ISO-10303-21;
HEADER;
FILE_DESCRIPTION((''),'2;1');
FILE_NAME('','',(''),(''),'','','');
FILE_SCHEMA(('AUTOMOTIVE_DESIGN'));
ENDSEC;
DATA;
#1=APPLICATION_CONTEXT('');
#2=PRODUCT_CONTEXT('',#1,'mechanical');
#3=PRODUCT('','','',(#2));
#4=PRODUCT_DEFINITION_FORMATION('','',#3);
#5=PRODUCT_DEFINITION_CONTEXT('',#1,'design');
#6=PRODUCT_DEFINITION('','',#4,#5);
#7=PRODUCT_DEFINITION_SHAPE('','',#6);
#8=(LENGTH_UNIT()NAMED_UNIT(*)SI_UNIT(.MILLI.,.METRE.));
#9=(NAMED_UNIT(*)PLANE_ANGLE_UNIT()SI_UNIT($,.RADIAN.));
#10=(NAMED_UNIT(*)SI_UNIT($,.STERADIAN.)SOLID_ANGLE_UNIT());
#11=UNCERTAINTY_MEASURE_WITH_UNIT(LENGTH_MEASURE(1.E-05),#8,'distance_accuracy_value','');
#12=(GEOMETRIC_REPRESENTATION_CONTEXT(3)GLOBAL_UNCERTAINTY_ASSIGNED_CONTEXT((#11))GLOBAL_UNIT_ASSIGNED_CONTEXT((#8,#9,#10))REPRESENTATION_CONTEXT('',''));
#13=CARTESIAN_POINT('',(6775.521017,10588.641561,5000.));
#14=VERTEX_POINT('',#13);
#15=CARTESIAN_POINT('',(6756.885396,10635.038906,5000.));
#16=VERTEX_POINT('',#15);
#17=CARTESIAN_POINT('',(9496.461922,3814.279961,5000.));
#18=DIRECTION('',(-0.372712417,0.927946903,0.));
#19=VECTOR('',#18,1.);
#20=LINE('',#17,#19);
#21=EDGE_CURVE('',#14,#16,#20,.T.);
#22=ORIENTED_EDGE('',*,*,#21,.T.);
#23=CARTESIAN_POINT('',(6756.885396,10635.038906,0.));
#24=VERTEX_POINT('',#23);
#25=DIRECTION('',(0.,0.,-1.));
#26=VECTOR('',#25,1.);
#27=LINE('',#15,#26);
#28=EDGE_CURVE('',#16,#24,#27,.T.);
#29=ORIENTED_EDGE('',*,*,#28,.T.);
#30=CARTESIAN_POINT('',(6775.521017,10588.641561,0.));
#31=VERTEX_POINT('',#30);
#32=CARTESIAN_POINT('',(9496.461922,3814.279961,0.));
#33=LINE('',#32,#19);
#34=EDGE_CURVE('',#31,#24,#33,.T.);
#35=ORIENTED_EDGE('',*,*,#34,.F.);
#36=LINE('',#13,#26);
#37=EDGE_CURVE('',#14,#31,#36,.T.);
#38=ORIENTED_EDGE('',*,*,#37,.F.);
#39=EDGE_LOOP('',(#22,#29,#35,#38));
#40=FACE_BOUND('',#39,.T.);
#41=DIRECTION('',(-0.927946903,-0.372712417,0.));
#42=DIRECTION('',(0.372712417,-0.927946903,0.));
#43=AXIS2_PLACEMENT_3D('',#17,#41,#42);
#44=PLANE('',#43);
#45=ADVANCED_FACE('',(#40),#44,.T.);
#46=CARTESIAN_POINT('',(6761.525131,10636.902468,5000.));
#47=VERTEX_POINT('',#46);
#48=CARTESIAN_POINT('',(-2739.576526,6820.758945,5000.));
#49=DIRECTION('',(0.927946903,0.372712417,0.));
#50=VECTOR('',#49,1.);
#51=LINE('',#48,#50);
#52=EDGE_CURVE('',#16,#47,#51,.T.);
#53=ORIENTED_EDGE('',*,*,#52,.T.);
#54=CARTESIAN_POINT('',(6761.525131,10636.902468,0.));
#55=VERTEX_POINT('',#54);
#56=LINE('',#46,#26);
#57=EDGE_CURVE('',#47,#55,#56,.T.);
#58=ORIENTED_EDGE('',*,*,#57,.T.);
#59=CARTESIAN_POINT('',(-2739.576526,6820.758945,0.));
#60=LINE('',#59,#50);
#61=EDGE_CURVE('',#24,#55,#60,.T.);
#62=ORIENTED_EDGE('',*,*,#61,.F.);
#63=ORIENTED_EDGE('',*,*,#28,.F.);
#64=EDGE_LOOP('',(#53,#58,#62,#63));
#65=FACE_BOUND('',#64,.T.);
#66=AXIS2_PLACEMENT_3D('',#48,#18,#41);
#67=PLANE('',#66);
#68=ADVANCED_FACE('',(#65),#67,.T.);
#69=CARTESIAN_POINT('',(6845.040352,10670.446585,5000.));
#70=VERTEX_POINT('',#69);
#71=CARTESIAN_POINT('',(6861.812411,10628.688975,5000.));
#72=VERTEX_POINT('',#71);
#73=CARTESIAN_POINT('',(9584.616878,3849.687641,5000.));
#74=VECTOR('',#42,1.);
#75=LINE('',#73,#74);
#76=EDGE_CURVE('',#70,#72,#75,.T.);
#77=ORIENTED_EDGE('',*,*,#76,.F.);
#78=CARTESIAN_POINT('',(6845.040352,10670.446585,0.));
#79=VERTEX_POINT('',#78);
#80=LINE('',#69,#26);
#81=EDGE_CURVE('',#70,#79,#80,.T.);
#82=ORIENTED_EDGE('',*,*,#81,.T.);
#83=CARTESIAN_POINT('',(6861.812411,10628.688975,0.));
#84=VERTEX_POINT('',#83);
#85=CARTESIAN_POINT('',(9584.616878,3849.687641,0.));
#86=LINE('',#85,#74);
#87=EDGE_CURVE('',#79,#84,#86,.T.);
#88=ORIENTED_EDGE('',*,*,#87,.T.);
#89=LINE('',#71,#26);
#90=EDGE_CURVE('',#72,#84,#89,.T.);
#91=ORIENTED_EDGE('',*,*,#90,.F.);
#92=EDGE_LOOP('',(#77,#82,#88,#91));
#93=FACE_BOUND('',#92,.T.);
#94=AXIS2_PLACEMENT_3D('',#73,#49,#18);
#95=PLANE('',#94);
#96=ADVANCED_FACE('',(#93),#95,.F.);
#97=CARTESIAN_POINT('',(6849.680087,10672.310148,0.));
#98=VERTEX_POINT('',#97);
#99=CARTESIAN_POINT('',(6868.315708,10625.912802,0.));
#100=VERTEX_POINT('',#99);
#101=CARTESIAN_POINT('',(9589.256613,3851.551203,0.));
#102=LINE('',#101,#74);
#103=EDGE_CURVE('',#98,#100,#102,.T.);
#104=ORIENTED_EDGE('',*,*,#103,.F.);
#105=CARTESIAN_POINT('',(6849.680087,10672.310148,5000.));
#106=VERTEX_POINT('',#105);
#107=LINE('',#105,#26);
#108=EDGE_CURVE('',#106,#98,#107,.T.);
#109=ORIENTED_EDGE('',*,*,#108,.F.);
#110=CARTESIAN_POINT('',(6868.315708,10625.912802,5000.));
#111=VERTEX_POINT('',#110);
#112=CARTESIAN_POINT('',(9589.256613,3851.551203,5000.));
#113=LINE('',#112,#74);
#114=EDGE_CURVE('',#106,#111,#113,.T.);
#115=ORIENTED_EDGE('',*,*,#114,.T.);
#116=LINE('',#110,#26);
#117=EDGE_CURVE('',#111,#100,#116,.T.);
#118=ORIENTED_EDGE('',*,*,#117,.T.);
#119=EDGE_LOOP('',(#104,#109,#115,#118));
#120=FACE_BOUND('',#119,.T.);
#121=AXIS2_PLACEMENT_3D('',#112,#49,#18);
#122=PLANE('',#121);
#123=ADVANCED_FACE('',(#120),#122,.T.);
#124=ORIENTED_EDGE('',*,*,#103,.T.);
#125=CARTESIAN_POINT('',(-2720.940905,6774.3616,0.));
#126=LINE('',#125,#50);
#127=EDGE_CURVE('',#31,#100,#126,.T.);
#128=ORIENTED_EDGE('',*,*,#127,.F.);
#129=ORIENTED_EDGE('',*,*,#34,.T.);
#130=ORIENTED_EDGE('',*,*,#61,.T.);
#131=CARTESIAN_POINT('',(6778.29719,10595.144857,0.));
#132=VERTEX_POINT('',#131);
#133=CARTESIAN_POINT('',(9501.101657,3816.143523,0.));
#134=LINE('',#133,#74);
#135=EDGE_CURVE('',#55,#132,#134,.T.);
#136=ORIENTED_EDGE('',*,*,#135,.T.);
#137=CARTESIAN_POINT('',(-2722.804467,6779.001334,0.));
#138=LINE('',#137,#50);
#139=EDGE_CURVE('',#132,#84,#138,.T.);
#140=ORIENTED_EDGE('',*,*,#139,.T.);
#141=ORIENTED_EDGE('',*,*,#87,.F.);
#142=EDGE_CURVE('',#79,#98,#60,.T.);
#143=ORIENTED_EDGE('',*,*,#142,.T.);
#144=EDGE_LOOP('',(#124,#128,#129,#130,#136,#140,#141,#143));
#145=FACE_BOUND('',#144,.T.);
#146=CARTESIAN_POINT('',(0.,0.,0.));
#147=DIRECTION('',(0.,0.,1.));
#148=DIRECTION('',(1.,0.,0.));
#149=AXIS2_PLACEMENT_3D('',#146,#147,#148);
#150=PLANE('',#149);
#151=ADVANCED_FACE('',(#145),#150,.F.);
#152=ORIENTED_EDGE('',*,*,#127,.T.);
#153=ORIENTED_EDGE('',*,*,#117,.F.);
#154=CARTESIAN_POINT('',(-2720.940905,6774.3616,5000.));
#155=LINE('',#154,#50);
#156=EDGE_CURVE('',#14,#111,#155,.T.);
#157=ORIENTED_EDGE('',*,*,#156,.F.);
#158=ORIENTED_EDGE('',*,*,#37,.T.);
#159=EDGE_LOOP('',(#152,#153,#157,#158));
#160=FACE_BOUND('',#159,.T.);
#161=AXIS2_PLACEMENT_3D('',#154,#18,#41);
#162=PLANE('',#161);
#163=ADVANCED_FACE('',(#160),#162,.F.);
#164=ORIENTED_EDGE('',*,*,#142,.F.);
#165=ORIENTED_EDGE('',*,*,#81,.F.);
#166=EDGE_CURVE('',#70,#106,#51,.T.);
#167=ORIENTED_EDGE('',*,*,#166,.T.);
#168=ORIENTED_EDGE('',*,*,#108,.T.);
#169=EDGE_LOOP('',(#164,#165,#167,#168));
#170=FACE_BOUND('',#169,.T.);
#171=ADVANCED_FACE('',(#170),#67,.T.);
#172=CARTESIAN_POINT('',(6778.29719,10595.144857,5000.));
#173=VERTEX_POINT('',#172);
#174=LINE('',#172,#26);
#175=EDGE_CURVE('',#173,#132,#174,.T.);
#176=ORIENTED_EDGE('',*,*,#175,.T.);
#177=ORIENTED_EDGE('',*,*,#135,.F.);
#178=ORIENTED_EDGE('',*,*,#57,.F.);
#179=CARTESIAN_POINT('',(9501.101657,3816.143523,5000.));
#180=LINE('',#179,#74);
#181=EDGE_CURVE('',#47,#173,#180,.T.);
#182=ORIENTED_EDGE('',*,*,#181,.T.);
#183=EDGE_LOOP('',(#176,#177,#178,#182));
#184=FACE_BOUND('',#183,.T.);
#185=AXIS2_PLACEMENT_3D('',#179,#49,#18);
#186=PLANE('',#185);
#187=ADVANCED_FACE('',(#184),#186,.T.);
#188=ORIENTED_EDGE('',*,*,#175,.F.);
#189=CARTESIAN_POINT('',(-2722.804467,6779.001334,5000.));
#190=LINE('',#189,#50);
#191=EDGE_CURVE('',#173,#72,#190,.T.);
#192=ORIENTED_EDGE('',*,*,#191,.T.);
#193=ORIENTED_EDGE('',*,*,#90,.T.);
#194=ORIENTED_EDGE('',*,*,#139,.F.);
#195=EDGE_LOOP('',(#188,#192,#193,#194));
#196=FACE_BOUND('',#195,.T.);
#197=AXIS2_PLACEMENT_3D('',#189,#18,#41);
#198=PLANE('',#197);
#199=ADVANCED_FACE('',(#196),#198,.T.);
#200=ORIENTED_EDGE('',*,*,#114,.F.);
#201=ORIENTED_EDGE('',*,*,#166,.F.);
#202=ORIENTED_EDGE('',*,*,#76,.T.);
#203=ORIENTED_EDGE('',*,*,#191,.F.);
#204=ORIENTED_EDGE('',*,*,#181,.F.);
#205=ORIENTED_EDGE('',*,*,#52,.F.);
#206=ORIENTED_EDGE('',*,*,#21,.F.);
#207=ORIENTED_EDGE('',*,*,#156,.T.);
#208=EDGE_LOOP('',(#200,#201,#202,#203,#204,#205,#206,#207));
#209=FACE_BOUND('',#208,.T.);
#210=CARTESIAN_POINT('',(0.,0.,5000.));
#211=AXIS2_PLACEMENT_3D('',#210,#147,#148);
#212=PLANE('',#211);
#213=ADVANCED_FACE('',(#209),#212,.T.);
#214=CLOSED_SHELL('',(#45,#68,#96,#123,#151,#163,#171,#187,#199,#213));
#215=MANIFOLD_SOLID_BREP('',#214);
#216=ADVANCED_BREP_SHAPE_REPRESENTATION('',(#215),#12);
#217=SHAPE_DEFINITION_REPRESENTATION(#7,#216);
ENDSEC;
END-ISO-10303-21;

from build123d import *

# Parameters (mm, degrees)
EXTRUDE_1_DEPTH = 5000


with BuildPart() as part:
    # 草图1 → 凸台-拉伸1 (new body)
    with BuildSketch(Plane.XY):
        Polygon((6775.521017344, 10588.641560672), (6756.885396495, 10635.038905807), (6761.525131008, 10636.902467892), (6778.297189773, 10595.14485727), (6861.812411015, 10628.688974799), (6845.040352251, 10670.446585421), (6849.680086764, 10672.310147505), (6868.315707614, 10625.912802371), align=None)
    extrude(amount=EXTRUDE_1_DEPTH)


solid = part.part
